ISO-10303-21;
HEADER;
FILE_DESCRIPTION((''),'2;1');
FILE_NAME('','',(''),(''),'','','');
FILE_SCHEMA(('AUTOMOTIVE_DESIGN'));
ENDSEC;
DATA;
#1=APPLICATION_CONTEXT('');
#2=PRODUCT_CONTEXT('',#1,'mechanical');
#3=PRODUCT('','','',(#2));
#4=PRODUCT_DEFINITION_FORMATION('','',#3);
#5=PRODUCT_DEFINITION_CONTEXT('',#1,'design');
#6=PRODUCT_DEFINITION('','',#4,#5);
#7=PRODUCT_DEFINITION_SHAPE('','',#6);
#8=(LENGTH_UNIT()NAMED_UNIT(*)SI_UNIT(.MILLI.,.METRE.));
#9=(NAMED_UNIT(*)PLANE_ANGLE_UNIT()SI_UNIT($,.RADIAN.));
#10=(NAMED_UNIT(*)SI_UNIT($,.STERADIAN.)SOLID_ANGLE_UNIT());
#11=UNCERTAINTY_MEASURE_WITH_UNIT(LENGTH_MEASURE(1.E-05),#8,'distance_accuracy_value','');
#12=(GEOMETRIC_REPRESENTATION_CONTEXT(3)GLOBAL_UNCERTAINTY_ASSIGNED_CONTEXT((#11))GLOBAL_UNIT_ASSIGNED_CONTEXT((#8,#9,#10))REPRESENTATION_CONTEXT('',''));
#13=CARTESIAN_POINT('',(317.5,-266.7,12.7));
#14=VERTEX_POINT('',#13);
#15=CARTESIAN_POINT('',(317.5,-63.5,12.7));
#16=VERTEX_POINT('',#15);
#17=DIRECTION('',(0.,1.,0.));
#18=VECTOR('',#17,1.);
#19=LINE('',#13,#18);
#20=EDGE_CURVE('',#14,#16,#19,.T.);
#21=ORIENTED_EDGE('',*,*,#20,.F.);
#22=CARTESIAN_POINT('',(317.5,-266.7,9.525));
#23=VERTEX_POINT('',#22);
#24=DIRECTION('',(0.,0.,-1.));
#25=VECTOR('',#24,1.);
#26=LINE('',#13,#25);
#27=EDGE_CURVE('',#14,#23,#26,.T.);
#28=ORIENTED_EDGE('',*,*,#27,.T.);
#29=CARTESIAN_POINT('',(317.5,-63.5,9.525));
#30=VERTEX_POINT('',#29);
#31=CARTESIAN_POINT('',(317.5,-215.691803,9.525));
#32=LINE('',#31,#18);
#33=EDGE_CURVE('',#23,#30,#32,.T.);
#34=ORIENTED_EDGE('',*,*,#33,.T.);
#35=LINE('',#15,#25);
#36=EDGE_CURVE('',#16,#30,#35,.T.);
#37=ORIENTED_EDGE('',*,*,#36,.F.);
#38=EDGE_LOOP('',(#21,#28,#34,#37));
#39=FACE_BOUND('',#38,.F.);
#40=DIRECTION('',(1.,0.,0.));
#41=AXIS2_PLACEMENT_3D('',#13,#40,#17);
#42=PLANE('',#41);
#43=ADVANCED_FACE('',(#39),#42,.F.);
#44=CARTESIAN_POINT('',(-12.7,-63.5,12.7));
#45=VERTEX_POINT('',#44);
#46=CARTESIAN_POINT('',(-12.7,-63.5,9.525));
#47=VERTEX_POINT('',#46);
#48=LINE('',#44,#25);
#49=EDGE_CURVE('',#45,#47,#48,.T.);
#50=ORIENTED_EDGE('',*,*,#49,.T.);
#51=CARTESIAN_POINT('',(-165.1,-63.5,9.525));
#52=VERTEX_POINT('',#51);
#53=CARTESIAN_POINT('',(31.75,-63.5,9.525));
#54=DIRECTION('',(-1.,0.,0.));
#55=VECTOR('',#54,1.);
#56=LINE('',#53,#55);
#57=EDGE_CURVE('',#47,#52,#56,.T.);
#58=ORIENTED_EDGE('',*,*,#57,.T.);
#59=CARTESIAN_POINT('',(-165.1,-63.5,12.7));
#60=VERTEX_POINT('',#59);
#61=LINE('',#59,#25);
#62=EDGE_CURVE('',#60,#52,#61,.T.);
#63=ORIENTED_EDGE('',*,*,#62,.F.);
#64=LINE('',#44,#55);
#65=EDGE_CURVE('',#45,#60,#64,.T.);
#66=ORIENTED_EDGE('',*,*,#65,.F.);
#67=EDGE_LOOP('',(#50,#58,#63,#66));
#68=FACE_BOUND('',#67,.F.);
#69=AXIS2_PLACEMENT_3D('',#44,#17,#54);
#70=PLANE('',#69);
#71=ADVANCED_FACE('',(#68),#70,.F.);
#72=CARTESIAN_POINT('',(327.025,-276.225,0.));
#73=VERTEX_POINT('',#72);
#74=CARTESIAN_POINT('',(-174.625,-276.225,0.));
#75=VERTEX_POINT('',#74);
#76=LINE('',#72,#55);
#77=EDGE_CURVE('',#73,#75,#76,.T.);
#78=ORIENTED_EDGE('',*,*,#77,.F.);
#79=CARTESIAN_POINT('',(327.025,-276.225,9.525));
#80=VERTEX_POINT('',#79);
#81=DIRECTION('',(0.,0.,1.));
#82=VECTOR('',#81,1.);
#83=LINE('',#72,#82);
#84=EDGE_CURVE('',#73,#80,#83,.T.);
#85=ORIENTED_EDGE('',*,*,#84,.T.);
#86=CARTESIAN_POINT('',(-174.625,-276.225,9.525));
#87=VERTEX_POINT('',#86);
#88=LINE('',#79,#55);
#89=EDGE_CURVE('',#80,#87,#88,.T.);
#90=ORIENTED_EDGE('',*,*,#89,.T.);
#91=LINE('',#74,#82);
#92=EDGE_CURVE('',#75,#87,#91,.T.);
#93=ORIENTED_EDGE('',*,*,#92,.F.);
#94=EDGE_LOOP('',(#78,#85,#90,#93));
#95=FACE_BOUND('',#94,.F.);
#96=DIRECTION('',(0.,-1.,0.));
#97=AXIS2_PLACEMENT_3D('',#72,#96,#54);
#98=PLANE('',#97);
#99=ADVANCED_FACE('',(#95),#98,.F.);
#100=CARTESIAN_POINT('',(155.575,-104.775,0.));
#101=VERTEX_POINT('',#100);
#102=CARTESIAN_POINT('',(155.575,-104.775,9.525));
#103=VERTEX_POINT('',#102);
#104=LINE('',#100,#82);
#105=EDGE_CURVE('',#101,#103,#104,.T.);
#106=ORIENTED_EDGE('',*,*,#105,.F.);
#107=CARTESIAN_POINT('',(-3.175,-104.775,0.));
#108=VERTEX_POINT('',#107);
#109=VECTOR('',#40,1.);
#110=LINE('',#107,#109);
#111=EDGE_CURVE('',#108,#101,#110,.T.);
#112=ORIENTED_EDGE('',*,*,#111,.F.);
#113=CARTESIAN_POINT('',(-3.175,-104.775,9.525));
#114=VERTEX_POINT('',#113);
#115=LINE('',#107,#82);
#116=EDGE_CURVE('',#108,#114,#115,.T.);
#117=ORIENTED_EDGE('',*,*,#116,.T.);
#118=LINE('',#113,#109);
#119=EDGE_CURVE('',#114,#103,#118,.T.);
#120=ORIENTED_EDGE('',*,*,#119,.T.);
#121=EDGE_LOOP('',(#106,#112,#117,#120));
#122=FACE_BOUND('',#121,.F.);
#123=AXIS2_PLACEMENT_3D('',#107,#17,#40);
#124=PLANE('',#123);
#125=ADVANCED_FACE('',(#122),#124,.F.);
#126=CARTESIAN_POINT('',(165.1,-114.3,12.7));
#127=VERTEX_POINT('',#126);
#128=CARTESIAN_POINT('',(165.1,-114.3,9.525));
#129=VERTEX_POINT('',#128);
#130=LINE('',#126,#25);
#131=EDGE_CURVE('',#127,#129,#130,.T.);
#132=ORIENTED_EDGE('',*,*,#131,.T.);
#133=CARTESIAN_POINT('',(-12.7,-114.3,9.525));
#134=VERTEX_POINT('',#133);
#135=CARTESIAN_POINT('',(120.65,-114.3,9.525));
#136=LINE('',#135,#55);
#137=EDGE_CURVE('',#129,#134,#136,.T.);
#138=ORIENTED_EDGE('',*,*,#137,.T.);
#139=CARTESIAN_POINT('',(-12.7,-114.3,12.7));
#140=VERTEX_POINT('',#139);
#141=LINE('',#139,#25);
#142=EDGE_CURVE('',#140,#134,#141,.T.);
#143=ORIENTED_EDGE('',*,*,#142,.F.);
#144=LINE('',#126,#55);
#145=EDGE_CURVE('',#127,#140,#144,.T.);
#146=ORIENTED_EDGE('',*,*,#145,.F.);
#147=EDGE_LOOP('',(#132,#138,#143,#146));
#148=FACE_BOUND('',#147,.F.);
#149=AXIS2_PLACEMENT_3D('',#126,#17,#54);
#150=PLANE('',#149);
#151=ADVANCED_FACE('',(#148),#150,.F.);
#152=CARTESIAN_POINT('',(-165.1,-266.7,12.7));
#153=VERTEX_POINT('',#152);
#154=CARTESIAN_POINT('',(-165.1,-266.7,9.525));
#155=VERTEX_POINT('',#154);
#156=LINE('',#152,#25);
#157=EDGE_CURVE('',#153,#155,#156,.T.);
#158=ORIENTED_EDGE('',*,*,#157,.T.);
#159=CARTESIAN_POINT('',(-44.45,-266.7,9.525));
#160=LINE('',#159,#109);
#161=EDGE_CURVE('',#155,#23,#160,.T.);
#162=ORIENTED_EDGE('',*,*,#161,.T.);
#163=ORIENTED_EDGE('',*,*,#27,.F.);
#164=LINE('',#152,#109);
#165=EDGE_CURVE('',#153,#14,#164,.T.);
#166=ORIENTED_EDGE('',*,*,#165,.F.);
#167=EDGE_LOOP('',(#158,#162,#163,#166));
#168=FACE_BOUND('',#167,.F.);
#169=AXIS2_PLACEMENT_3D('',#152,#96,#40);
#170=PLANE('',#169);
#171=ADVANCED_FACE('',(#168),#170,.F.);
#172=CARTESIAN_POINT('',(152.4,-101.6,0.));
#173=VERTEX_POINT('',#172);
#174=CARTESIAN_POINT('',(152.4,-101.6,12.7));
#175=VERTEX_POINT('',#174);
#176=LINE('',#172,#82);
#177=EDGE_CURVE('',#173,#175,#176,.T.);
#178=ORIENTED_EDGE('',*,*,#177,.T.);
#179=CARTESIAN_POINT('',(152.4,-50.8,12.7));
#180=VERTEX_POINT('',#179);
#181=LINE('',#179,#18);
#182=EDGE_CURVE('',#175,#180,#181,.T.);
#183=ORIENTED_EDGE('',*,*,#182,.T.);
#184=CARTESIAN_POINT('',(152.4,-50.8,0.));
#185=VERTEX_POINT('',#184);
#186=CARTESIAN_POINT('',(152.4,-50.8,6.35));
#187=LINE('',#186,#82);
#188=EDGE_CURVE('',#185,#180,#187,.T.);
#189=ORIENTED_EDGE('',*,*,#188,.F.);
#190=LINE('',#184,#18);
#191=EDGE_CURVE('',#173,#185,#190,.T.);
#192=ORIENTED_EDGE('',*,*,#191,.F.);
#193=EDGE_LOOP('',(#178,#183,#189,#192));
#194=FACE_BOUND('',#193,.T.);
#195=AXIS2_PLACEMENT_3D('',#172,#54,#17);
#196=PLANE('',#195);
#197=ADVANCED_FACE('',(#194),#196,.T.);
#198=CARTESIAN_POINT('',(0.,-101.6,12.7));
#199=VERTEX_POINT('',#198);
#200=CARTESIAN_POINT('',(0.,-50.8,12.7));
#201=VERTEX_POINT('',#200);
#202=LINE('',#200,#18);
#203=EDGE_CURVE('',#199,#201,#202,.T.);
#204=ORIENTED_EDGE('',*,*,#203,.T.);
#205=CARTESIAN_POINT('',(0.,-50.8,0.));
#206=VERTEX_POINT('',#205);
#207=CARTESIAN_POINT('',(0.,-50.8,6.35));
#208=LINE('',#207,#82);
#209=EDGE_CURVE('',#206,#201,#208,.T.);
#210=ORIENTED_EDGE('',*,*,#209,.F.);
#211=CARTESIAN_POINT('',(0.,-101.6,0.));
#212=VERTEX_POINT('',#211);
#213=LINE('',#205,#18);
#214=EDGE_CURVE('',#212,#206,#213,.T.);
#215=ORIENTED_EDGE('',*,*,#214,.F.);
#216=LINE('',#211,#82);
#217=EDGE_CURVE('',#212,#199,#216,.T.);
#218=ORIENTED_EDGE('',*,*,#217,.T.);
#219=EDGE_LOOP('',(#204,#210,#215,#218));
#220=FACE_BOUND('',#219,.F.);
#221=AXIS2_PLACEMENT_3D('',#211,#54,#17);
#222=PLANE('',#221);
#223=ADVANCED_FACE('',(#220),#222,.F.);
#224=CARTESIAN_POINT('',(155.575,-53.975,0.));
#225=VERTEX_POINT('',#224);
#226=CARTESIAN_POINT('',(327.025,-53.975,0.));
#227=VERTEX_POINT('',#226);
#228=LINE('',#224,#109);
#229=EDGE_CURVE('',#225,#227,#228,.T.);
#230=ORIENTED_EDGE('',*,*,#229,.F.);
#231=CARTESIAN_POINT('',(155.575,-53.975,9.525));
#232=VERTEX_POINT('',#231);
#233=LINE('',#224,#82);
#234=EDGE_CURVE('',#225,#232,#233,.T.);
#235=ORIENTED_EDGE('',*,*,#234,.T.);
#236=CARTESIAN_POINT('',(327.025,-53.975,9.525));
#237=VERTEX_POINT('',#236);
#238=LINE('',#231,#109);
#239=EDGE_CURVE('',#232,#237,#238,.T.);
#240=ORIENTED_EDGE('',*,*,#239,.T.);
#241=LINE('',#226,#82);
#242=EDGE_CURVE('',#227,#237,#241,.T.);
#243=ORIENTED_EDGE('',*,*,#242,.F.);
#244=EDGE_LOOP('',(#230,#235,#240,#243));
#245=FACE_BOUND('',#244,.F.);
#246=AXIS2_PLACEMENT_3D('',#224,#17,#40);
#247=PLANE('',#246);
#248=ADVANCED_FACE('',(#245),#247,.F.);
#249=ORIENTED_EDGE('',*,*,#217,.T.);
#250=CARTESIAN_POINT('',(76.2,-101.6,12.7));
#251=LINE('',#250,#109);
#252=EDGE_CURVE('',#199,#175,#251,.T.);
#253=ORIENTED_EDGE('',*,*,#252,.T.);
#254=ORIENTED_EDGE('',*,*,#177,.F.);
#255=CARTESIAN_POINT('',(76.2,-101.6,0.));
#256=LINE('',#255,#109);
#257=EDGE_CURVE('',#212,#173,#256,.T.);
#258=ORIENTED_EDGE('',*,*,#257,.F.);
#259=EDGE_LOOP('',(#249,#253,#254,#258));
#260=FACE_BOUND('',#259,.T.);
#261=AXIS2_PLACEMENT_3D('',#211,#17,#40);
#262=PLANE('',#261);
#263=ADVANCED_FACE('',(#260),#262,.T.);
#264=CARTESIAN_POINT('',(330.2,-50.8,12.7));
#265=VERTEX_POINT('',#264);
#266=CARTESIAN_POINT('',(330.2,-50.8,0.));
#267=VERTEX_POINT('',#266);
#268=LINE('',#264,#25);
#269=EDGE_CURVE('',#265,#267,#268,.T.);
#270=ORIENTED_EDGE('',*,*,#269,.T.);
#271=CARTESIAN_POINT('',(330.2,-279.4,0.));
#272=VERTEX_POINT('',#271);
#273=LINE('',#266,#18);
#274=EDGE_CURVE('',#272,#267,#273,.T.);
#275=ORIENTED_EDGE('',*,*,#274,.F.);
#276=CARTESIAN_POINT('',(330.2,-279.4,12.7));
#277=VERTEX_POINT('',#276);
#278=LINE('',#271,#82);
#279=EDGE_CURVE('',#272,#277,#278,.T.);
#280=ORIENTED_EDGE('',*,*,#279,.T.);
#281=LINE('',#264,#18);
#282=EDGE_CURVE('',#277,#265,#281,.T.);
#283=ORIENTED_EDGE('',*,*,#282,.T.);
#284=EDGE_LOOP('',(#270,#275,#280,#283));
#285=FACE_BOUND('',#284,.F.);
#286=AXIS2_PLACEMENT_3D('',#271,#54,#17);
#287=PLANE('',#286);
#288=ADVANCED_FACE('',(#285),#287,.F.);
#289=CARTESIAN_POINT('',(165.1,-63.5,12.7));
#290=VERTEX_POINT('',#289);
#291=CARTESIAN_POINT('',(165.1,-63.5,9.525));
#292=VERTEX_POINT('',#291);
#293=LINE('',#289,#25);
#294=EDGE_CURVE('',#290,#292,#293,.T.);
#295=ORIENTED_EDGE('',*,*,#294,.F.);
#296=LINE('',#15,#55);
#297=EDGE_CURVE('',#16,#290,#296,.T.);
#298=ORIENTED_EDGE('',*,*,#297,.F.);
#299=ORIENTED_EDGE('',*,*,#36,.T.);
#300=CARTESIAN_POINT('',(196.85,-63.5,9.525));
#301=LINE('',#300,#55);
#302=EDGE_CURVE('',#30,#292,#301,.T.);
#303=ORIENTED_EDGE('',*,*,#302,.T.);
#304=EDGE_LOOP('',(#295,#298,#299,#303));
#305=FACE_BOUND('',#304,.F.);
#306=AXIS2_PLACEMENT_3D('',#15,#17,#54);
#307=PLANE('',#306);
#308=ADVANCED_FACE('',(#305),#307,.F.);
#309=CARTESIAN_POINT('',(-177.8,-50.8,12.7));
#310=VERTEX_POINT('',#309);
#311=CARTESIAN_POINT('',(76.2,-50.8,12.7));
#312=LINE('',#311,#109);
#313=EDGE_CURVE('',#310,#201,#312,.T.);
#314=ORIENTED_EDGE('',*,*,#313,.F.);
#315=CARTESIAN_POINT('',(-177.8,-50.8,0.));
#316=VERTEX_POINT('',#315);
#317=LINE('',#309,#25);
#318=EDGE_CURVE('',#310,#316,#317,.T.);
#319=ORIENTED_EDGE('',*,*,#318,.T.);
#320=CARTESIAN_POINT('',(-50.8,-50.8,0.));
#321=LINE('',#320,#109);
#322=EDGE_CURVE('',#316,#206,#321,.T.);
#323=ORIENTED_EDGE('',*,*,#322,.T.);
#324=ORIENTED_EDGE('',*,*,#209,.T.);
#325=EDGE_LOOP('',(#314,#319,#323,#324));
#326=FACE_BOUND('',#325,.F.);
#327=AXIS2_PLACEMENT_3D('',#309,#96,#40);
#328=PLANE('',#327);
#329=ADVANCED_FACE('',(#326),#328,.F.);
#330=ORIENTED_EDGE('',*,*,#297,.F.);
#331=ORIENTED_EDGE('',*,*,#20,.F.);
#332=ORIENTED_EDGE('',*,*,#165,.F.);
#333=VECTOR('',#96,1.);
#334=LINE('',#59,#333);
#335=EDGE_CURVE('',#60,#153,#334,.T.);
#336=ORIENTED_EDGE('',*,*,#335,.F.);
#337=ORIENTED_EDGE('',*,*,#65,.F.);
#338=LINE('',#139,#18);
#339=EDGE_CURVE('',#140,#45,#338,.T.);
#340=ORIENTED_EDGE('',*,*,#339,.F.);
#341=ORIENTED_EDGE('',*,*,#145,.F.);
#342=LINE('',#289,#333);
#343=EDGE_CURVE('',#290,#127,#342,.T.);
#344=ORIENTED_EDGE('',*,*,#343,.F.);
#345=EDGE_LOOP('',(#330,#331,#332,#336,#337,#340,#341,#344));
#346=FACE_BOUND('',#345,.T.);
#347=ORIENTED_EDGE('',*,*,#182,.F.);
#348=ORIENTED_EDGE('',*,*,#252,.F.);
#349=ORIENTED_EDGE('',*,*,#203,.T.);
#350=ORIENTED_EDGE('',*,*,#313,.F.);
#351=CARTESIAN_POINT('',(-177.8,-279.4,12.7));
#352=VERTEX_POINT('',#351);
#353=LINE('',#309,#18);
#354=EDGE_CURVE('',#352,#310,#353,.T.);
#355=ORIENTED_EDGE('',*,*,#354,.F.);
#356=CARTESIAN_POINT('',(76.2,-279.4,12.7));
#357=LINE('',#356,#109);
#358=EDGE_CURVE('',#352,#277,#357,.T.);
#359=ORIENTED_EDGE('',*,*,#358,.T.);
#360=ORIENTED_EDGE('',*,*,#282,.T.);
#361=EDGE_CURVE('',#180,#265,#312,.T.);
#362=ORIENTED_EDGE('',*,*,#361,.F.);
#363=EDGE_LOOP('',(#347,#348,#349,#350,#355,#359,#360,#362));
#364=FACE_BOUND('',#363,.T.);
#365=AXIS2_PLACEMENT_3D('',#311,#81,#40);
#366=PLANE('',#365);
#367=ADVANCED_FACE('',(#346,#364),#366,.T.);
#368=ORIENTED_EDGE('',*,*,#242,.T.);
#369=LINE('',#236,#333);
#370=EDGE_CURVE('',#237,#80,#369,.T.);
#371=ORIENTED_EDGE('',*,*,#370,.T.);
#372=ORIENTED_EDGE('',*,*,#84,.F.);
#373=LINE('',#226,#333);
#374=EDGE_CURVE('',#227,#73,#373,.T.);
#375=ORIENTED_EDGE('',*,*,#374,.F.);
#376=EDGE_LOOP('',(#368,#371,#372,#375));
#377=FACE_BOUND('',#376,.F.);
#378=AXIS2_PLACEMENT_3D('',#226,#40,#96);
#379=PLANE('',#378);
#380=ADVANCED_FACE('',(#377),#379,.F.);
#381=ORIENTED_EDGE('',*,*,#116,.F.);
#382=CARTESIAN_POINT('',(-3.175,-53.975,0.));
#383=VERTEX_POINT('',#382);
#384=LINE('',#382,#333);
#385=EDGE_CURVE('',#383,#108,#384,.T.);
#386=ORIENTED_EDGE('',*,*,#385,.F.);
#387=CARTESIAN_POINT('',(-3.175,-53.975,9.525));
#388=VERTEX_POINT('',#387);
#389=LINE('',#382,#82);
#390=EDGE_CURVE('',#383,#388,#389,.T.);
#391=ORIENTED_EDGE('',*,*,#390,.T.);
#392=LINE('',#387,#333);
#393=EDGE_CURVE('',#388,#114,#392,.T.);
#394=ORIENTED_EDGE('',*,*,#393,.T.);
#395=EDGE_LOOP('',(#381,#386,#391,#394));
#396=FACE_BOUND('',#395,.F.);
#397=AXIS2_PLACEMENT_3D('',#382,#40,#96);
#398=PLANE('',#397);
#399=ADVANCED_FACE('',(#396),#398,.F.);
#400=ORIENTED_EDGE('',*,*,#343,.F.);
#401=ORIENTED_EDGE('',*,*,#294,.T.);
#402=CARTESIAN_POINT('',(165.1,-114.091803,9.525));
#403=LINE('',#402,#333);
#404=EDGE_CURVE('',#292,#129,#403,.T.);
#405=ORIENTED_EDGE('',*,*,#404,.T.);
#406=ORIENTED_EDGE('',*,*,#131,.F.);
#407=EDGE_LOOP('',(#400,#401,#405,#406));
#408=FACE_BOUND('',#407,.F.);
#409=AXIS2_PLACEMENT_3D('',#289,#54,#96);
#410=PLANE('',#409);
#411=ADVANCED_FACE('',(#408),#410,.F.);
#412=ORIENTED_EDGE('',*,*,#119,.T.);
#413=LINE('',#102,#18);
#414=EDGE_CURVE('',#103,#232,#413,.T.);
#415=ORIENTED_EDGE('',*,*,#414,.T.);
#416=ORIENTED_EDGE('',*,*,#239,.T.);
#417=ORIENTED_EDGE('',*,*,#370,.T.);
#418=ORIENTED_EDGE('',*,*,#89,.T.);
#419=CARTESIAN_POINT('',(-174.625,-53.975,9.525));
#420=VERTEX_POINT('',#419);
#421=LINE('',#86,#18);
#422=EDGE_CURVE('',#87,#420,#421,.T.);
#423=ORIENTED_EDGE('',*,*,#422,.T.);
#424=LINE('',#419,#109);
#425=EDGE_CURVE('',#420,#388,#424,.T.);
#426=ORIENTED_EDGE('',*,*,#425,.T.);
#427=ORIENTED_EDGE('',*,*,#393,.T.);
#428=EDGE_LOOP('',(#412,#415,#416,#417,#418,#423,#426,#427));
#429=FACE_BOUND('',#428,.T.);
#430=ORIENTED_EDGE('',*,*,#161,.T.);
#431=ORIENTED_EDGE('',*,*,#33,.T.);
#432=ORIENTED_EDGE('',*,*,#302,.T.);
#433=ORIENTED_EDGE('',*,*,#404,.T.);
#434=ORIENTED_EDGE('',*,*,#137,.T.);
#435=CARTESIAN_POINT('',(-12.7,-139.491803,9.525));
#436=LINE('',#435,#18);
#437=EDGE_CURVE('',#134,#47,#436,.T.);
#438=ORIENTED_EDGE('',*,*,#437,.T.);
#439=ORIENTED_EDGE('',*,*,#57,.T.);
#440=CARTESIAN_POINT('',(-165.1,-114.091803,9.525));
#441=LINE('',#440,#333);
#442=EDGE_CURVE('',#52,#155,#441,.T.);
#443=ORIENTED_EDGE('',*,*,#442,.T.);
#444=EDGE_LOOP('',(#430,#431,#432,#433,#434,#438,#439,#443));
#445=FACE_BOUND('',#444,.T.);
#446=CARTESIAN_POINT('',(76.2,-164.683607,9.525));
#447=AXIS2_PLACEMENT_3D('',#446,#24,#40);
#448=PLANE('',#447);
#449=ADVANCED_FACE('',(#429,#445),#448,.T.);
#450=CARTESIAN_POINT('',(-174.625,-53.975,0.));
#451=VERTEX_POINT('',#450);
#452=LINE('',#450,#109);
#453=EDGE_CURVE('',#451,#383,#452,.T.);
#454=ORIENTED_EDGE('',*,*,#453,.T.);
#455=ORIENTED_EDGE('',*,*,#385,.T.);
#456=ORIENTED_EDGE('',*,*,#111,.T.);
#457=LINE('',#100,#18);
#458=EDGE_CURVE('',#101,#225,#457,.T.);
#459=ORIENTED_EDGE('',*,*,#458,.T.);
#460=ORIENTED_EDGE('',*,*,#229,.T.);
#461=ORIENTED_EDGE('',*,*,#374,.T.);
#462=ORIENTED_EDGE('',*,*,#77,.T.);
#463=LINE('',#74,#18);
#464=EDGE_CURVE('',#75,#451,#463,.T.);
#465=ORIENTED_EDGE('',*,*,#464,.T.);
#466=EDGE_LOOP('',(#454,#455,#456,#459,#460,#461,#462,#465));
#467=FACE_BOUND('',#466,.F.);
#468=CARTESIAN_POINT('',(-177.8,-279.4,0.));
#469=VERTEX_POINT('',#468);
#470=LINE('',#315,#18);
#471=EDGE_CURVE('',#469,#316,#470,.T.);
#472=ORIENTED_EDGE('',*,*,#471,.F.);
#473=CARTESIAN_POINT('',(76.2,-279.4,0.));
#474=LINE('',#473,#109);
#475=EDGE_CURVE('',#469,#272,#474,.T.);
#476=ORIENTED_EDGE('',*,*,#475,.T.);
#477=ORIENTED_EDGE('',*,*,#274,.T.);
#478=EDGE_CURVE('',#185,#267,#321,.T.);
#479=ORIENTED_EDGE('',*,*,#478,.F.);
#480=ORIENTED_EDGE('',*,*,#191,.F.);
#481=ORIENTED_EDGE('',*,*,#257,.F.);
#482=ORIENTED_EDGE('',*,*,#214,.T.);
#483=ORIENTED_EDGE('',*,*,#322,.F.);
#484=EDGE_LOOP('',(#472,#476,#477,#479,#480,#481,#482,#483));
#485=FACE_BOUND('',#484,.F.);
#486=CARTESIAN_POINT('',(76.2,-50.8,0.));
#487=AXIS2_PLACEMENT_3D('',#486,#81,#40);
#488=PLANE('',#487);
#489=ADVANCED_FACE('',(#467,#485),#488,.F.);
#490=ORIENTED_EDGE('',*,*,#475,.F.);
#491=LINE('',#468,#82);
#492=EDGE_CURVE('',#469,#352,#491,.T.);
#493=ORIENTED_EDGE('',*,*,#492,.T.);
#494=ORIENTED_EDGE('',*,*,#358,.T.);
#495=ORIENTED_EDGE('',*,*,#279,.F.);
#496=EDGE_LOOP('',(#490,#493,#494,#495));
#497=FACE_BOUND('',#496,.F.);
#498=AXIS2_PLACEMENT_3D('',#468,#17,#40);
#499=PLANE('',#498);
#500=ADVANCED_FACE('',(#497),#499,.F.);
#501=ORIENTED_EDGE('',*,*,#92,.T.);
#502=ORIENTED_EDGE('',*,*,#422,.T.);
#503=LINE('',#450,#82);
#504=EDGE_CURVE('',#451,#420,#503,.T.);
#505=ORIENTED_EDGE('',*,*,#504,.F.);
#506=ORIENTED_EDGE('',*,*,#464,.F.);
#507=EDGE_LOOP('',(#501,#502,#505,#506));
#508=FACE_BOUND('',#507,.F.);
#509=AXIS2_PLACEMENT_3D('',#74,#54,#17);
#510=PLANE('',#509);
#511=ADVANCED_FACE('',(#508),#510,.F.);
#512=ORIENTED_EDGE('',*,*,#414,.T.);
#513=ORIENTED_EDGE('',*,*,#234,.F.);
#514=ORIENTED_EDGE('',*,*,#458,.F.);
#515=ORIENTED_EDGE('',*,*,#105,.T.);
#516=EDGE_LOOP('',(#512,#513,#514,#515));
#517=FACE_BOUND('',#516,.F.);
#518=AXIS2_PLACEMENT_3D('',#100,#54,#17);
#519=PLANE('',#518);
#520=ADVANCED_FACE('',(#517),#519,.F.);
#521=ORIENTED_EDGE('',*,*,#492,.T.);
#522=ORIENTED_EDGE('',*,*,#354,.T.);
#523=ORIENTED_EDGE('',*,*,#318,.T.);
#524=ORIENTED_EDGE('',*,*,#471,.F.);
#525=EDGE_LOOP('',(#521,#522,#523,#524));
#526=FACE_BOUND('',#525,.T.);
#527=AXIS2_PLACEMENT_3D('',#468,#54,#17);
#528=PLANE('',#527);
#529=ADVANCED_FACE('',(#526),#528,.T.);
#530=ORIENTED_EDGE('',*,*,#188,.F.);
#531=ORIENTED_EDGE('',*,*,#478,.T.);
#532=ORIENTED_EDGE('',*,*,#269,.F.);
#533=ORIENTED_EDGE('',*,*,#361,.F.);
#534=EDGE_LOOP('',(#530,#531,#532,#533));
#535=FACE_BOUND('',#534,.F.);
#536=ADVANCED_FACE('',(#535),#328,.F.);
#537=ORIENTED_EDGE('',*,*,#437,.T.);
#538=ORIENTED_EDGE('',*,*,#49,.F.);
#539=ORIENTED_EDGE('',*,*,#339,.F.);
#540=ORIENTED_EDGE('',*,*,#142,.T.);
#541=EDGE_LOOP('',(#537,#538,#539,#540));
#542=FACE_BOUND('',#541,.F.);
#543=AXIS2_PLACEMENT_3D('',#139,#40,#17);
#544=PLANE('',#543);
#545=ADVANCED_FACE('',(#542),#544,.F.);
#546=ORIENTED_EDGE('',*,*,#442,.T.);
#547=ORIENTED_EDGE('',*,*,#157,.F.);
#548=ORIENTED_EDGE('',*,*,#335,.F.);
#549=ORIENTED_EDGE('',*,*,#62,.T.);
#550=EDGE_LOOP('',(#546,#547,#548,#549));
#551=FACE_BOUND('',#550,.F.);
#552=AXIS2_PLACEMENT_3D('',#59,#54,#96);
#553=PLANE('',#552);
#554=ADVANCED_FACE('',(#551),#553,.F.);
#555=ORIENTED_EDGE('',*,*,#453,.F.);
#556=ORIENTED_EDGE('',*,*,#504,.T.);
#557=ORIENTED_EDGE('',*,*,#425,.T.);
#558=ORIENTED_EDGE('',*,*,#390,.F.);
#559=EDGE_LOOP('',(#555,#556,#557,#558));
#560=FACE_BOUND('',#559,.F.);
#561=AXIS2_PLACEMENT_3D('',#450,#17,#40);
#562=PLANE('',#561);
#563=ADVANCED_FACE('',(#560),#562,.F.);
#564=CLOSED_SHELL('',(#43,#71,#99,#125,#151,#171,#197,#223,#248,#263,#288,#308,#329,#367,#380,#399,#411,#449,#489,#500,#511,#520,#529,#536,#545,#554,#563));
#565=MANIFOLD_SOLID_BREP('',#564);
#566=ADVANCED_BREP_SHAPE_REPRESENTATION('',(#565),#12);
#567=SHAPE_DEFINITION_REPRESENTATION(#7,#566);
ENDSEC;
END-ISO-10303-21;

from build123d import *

# Parameters (mm, degrees)
F0_W     = 508
F0_H     = 457.2
F0_W_2   = 152.4
F0_H_2   = 101.6
F1_DEPTH = 12.7
F2_W     = 508
F2_H     = 228.6
F3_DEPTH = 12.701
F5_DEPTH = 12.701
F7_DEPTH = 9.525


with BuildPart() as f1:
    # F0 (on Top) → F1 (new body)
    with BuildSketch(Plane.XY):
        with Locations((76.2, -50.8)):
            Rectangle(F0_W, F0_H)
        with Locations((76.2, -50.8)):
            Rectangle(F0_W_2, F0_H_2, mode=Mode.SUBTRACT)
    extrude(amount=F1_DEPTH)

    # F2 (on face) → F3 (cut, through all)
    with BuildSketch(Plane.XY.offset(12.7)):
        with Locations((76.2, 63.5)):
            Rectangle(F2_W, F2_H)
    extrude(amount=-F3_DEPTH, mode=Mode.SUBTRACT)

    # F4 (on face) → F5 (cut, through all)
    with BuildSketch(Plane.XY.offset(12.7)):
        Polygon((-12.7, -63.5), (-165.1, -63.5), (-165.1, -266.7), (317.5, -266.7), (317.5, -63.5), (165.1, -63.5), (165.1, -114.3), (-12.7, -114.3), align=None)
    extrude(amount=-F5_DEPTH, mode=Mode.SUBTRACT)

    # F6 (on face) → F7 (cut)
    with BuildSketch(Plane(origin=(0, 0, 0), x_dir=(1, 0, 0), z_dir=(0, 0, -1))):
        Polygon((-174.625, 276.225), (-174.625, 53.975), (-3.175, 53.975), (-3.175, 104.775), (155.575, 104.775), (155.575, 53.975), (327.025, 53.975), (327.025, 276.225), align=None)
    extrude(amount=-F7_DEPTH, mode=Mode.SUBTRACT)


solid = f1.part
